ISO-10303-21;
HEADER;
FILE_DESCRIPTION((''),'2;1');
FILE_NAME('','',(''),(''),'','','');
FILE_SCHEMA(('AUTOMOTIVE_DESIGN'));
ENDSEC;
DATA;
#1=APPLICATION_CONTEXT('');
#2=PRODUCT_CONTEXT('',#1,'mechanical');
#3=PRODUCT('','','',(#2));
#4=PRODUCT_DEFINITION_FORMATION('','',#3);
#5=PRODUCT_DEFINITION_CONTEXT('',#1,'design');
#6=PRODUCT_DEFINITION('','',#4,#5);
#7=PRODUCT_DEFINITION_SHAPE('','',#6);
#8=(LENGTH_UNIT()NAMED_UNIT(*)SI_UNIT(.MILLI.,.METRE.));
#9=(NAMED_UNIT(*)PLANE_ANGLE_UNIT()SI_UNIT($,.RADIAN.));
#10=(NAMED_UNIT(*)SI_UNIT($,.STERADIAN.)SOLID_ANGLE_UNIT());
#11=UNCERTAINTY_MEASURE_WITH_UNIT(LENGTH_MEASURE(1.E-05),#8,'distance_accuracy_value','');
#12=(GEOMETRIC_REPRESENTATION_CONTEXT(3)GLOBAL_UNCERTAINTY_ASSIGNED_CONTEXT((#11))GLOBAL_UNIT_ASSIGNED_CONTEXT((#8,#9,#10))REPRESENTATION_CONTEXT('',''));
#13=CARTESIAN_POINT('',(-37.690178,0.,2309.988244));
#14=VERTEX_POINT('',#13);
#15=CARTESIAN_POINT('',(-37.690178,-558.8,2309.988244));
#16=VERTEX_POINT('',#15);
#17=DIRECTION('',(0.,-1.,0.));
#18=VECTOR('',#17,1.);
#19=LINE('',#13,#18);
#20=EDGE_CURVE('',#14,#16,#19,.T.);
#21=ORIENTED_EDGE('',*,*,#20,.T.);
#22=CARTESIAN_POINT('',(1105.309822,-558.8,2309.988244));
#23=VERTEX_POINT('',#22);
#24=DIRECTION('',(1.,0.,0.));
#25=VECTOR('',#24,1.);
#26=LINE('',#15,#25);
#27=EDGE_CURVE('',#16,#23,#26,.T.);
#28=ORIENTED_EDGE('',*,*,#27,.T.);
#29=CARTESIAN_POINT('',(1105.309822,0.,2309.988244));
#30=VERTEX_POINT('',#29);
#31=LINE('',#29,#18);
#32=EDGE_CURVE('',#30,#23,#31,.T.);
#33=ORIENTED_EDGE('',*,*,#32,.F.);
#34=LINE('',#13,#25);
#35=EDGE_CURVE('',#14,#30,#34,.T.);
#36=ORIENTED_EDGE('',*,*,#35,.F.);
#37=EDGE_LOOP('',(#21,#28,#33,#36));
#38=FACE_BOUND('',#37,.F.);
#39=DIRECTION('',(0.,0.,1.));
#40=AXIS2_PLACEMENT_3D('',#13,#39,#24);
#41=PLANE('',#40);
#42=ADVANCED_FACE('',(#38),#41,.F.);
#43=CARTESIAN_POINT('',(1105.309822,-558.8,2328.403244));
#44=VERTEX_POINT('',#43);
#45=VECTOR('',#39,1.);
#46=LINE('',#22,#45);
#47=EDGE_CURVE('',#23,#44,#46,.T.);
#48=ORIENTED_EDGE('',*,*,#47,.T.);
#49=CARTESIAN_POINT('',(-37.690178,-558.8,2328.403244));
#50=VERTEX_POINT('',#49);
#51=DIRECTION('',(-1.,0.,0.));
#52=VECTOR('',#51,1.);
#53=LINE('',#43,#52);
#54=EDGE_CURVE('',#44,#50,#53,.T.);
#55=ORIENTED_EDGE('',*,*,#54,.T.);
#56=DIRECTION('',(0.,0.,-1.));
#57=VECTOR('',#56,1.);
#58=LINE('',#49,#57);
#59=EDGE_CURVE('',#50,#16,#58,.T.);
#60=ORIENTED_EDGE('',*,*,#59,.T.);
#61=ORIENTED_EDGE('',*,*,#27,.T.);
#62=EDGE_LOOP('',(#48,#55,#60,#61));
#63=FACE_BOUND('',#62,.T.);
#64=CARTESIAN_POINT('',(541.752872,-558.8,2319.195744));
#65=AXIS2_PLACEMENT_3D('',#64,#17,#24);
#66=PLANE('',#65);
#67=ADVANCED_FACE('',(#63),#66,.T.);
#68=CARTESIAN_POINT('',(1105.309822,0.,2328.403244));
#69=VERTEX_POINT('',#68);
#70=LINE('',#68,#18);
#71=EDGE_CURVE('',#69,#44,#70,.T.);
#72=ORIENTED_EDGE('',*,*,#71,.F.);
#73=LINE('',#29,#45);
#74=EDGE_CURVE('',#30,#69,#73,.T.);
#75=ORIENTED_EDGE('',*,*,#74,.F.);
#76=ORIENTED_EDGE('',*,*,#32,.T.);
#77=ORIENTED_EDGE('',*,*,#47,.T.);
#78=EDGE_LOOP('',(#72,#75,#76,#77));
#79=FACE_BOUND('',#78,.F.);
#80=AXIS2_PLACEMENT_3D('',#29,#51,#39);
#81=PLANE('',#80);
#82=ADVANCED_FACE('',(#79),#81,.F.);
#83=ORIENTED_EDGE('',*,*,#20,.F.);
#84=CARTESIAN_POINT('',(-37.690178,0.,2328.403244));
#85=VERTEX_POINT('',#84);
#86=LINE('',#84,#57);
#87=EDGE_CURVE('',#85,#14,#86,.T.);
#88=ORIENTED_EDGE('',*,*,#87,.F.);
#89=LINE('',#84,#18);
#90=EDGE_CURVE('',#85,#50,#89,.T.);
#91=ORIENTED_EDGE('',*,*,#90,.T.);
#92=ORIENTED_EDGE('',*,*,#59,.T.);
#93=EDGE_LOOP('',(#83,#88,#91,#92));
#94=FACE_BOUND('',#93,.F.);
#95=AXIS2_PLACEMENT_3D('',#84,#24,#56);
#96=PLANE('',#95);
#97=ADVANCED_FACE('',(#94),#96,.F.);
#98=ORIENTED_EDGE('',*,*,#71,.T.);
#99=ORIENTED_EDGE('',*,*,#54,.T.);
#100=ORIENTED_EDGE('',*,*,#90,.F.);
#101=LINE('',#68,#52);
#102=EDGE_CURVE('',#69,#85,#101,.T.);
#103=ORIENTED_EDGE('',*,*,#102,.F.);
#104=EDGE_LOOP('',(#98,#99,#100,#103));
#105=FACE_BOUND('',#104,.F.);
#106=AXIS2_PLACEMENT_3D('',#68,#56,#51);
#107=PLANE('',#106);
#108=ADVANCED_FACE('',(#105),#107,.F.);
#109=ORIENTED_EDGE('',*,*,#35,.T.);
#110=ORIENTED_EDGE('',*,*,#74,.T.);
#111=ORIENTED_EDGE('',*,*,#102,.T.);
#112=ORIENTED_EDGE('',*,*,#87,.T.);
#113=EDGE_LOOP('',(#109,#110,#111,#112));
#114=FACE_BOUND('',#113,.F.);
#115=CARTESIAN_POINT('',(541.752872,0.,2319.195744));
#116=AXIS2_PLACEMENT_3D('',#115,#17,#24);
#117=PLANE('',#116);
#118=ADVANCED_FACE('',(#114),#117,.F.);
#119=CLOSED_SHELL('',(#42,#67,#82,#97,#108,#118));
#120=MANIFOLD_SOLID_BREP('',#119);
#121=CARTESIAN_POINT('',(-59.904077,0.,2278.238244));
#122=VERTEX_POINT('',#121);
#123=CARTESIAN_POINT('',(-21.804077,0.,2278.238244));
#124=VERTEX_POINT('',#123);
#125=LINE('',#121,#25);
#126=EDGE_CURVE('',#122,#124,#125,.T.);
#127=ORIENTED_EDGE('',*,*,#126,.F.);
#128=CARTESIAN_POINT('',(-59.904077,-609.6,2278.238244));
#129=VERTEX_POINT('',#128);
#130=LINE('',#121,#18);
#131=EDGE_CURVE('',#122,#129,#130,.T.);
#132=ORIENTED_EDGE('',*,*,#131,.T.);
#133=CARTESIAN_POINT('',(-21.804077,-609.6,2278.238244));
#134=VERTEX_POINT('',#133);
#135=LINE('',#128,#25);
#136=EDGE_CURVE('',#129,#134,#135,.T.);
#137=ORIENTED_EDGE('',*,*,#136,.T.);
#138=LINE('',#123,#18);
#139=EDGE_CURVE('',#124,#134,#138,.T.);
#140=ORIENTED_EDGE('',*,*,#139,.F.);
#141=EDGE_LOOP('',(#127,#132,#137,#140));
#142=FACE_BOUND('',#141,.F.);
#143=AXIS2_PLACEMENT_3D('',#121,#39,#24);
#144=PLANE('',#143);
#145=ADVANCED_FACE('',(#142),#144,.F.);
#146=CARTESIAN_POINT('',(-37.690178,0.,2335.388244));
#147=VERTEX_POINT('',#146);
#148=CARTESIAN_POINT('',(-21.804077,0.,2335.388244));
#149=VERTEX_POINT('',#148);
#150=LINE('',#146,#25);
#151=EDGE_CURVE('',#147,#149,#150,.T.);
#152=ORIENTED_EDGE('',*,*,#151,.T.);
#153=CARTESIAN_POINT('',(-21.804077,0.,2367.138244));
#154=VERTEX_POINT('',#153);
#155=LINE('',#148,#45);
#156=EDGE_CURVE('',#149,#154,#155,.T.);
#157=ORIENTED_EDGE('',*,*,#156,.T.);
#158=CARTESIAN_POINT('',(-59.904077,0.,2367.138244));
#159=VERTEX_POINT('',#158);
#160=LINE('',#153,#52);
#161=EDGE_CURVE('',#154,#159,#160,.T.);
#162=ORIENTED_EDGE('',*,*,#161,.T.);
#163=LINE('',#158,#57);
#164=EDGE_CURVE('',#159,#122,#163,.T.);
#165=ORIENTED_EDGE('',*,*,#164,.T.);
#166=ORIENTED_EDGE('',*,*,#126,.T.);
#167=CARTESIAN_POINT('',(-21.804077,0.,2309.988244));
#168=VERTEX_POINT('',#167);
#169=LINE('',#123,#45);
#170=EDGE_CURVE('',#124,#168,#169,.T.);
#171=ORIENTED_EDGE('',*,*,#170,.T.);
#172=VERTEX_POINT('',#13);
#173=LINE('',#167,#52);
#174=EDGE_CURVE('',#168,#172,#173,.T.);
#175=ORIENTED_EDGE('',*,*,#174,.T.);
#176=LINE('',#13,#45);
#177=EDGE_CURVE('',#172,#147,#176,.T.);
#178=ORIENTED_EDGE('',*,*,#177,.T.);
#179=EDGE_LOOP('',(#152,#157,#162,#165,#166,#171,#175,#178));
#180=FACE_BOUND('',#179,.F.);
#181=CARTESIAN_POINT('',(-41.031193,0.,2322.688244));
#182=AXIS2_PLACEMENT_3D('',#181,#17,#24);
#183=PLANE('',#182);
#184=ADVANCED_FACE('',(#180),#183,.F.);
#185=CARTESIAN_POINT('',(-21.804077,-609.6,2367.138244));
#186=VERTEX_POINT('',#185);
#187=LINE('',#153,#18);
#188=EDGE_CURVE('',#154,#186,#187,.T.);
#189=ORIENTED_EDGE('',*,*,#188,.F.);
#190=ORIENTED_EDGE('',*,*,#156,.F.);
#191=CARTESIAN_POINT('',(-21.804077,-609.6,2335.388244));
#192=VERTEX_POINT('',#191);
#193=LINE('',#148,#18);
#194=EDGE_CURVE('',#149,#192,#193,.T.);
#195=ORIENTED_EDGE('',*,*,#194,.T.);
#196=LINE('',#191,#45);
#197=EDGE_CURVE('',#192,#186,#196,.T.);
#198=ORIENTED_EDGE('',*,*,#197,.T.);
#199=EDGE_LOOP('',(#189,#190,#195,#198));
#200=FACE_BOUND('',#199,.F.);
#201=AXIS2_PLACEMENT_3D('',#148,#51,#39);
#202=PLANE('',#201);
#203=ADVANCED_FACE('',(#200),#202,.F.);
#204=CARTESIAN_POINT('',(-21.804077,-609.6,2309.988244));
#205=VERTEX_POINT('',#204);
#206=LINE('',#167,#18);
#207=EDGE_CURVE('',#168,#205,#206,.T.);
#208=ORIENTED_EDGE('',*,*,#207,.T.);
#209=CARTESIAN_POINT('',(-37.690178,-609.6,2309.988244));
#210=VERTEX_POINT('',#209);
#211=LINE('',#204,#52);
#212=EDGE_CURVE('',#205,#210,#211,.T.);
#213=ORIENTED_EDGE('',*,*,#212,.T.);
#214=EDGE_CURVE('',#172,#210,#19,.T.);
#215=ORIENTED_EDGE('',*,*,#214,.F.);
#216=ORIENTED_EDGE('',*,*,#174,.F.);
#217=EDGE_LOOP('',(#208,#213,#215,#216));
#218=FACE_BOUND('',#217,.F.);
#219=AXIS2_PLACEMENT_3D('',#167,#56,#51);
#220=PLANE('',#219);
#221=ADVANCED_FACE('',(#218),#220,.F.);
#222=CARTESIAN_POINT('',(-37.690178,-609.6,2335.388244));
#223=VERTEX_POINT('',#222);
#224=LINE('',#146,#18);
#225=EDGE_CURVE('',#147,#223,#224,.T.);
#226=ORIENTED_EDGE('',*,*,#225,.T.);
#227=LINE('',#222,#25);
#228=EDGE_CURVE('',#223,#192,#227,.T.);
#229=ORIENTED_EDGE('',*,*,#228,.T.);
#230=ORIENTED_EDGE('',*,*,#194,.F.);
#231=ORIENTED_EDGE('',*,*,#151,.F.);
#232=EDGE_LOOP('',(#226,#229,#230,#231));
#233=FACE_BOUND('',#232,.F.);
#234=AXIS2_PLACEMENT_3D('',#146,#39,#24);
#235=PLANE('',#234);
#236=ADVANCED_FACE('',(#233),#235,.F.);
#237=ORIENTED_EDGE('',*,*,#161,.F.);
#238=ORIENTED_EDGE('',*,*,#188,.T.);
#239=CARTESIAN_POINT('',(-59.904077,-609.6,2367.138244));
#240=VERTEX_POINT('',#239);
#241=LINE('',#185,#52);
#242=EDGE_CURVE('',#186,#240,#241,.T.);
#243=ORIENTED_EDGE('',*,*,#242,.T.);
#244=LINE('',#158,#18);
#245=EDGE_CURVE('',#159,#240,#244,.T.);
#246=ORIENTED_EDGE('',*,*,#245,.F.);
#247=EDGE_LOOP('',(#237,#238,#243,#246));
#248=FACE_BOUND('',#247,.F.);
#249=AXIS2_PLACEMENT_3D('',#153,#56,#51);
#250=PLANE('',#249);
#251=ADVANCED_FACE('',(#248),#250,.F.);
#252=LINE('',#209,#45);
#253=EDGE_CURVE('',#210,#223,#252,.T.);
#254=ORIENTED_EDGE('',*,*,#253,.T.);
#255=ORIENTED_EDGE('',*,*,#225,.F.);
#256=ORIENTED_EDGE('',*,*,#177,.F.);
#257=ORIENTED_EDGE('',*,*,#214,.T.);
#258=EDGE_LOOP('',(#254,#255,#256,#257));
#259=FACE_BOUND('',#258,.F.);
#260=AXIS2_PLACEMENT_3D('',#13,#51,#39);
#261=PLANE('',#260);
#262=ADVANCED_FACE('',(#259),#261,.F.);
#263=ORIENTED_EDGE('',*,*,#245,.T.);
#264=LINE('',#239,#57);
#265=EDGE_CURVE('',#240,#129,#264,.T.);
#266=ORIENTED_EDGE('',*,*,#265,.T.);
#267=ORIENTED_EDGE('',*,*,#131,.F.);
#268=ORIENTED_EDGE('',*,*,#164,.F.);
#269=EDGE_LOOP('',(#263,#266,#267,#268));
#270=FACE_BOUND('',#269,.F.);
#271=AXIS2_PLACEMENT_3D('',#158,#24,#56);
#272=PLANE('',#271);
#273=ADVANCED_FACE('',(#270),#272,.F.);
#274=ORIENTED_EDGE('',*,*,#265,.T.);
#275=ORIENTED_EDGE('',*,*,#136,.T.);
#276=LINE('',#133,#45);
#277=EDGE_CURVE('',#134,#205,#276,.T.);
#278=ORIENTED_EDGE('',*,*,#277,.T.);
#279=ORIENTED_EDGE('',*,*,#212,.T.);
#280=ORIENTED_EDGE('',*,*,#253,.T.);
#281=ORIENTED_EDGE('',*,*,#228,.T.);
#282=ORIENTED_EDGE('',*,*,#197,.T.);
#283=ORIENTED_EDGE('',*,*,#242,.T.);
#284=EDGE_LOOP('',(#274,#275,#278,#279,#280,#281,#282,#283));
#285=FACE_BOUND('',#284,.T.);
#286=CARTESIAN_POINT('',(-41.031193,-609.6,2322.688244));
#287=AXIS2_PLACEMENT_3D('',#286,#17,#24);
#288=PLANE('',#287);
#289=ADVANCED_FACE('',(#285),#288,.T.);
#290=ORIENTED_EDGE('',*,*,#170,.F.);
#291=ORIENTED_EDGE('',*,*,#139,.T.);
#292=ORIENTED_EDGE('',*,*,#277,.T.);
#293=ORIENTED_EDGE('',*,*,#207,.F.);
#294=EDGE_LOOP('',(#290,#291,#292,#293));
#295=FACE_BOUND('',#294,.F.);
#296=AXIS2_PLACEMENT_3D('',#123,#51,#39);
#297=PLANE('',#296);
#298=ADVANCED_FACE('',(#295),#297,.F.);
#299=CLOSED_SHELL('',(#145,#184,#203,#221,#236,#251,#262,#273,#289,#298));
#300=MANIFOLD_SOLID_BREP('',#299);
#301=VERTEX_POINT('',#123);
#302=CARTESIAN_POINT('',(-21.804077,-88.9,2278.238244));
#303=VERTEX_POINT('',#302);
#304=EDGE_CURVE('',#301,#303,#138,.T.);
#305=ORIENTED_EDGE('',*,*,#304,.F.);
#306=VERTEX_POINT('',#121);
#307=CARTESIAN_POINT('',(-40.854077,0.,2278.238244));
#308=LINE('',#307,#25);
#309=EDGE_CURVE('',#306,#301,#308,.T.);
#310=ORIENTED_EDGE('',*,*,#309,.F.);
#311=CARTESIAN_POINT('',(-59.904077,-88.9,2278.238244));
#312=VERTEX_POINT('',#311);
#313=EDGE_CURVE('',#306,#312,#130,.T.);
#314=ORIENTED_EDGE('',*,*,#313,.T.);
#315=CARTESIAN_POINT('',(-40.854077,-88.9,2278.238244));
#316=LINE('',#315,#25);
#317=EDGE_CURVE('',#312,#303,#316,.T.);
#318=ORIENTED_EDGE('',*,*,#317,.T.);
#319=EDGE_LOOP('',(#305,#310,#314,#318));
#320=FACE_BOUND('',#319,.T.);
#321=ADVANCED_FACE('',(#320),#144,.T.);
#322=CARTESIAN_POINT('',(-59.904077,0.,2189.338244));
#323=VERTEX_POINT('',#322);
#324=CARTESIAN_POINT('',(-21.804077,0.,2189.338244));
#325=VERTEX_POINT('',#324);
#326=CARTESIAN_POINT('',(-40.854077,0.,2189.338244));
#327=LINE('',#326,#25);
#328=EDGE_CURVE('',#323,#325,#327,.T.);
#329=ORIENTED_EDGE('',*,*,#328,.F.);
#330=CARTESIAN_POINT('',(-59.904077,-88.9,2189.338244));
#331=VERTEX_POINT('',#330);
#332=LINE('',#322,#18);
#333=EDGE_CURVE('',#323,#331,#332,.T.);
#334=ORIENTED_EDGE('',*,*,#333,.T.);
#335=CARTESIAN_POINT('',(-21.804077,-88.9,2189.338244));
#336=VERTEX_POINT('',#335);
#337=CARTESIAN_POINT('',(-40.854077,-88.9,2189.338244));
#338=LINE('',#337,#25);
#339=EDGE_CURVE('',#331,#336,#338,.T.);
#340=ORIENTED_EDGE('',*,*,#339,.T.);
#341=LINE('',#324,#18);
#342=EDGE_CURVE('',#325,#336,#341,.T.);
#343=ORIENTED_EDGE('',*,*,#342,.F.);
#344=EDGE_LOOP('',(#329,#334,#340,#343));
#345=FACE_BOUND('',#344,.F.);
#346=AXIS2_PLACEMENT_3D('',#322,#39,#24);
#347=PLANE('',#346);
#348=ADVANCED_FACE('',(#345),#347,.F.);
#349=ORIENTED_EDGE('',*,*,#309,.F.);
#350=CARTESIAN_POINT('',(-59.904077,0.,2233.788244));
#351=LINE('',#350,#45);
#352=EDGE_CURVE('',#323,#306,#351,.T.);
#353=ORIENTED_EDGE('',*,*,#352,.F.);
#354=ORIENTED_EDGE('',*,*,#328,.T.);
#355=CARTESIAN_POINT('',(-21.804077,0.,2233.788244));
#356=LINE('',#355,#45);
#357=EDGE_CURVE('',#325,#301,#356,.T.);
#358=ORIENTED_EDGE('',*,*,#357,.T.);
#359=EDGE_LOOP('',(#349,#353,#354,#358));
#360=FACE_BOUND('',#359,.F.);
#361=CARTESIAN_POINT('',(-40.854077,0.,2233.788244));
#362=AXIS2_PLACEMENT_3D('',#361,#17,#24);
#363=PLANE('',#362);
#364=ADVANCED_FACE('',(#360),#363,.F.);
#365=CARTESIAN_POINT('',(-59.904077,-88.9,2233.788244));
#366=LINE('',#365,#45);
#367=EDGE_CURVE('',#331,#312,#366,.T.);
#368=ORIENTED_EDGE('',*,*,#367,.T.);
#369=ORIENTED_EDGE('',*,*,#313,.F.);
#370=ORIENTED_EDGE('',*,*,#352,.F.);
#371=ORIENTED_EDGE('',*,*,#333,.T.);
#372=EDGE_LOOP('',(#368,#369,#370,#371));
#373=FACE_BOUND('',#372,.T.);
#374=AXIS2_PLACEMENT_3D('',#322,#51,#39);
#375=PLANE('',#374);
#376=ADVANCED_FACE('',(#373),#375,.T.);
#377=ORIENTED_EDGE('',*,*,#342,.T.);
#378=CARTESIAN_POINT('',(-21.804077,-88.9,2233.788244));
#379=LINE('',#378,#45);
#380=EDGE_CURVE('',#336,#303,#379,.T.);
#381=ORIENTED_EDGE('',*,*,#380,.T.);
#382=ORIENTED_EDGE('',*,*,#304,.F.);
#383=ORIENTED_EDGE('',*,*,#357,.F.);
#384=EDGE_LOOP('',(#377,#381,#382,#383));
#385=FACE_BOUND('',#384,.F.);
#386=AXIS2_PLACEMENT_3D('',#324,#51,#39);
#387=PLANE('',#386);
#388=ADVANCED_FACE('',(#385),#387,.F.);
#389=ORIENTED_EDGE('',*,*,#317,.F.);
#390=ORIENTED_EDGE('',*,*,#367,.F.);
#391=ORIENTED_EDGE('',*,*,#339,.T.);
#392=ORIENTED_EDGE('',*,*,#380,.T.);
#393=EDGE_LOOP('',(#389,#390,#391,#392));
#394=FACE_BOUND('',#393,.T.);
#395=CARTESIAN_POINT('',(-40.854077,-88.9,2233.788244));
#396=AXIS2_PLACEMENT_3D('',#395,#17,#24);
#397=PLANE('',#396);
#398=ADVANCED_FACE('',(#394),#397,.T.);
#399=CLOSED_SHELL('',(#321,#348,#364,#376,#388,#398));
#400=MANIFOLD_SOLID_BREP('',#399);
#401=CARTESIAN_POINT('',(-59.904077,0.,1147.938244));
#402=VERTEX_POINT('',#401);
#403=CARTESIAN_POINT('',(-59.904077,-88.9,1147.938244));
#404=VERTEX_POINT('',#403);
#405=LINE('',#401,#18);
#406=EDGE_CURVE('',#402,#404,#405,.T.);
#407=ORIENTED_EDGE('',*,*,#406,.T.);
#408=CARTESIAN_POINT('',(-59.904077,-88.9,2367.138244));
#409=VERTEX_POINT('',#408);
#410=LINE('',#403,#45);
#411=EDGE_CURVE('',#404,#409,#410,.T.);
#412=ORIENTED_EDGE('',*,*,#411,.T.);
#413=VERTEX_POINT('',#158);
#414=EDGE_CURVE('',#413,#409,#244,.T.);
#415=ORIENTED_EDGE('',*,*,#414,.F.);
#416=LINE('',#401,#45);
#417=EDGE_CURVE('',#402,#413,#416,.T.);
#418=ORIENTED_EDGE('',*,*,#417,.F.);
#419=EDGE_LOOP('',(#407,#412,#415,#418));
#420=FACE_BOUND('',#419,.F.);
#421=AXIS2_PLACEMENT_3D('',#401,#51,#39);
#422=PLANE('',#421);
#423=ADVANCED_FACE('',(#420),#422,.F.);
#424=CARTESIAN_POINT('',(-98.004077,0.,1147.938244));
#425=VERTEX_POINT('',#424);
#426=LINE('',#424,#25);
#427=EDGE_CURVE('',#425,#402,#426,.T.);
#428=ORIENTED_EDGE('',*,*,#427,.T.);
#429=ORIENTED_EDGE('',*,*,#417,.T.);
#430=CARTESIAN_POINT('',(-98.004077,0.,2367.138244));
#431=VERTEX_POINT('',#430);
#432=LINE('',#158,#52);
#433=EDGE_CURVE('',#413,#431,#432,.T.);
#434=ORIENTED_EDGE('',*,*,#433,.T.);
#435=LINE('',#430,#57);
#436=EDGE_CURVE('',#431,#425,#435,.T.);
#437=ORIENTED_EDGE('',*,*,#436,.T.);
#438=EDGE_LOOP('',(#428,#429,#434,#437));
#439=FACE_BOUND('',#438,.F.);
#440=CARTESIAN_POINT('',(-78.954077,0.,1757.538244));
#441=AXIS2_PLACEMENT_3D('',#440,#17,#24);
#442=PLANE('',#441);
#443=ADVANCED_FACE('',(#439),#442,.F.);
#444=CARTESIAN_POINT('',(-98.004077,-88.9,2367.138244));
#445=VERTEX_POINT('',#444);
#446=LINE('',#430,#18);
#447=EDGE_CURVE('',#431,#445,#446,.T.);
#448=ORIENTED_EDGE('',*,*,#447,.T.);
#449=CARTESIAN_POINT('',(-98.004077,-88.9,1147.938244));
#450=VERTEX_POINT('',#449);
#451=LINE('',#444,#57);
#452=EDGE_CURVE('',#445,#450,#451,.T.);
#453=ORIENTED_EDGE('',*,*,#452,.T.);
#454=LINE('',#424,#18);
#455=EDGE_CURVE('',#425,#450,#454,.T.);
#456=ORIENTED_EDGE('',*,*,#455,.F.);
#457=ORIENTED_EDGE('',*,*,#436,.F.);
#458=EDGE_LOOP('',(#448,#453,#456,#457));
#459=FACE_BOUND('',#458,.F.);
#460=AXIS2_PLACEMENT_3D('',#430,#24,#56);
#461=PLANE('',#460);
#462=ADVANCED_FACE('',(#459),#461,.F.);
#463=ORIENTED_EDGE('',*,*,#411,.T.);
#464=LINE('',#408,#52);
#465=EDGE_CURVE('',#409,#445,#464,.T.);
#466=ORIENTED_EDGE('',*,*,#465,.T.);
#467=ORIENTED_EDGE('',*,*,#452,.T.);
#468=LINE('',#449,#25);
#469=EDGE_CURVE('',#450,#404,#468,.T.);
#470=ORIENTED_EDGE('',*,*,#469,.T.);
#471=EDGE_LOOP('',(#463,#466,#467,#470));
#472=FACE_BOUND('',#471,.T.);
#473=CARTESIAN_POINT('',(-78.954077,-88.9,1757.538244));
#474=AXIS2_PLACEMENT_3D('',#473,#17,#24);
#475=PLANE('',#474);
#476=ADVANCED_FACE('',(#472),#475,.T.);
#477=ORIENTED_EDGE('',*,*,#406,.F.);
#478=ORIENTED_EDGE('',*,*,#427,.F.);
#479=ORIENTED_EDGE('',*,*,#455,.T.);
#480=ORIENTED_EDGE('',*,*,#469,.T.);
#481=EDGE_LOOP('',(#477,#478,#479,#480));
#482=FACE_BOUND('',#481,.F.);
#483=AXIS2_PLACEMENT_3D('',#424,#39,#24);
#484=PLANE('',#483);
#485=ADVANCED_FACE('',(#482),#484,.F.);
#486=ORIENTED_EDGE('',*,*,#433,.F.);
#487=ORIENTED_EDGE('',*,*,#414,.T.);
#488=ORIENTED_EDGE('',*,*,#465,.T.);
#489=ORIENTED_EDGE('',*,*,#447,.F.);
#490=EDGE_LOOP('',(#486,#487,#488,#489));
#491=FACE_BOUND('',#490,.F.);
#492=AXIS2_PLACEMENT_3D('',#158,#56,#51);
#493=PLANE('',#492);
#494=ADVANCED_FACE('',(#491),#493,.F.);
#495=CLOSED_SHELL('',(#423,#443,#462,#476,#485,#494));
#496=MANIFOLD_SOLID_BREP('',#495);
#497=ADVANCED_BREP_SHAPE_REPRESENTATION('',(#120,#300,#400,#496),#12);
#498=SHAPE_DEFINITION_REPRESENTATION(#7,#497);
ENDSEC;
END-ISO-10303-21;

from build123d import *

# Parameters (mm, degrees)
F1_DEPTH = 609.6
F2_DEPTH = 88.9
F0_W     = 38.1
F0_H     = 88.9
F3_DEPTH = 88.9
F4_DEPTH = 558.8


with BuildPart() as f1:
    # F0 (on Front) → F1 (new body)
    with BuildSketch(Plane.XZ):
        Polygon((-21.804077, 2367.138244), (-59.904077, 2367.138244), (-59.904077, 2278.238244), (-21.804077, 2278.238244), (-21.804077, 2309.988244), (-37.690178, 2309.988244), (-37.690178, 2328.403244), (-37.690178, 2335.388244), (-21.804077, 2335.388244), (-21.804077, 2348.088244), align=None)
    extrude(amount=F1_DEPTH)


with BuildPart() as f2:
    # F0 (on Front) → F2 (new body)
    with BuildSketch(Plane.XZ):
        Polygon((-59.904077, 2367.138244), (-98.004077, 2367.138244), (-98.004077, 1147.938244), (-59.904077, 1147.938244), (-59.904077, 2189.338244), (-59.904077, 2278.238244), align=None)
    extrude(amount=F2_DEPTH)


with BuildPart() as f3:
    # F0 (on Front) → F3 (new body)
    with BuildSketch(Plane.XZ):
        with Locations((-40.854077, 2233.788244)):
            Rectangle(F0_W, F0_H)
    extrude(amount=F3_DEPTH)


with BuildPart() as f4:
    # F0 (on Front) → F4 (new body)
    with BuildSketch(Plane.XZ):
        Polygon((-21.804077, 2322.688244), (-21.804077, 2309.988244), (1105.309822, 2309.988244), (1105.309822, 2328.403244), (-21.804077, 2328.403244), align=None)
        Polygon((-37.690178, 2309.988244), (-21.804077, 2309.988244), (-21.804077, 2322.688244), (-21.804077, 2328.403244), (-37.690178, 2328.403244), align=None)
    extrude(amount=F4_DEPTH)


solid = Compound([f1.part, f2.part, f3.part, f4.part])
